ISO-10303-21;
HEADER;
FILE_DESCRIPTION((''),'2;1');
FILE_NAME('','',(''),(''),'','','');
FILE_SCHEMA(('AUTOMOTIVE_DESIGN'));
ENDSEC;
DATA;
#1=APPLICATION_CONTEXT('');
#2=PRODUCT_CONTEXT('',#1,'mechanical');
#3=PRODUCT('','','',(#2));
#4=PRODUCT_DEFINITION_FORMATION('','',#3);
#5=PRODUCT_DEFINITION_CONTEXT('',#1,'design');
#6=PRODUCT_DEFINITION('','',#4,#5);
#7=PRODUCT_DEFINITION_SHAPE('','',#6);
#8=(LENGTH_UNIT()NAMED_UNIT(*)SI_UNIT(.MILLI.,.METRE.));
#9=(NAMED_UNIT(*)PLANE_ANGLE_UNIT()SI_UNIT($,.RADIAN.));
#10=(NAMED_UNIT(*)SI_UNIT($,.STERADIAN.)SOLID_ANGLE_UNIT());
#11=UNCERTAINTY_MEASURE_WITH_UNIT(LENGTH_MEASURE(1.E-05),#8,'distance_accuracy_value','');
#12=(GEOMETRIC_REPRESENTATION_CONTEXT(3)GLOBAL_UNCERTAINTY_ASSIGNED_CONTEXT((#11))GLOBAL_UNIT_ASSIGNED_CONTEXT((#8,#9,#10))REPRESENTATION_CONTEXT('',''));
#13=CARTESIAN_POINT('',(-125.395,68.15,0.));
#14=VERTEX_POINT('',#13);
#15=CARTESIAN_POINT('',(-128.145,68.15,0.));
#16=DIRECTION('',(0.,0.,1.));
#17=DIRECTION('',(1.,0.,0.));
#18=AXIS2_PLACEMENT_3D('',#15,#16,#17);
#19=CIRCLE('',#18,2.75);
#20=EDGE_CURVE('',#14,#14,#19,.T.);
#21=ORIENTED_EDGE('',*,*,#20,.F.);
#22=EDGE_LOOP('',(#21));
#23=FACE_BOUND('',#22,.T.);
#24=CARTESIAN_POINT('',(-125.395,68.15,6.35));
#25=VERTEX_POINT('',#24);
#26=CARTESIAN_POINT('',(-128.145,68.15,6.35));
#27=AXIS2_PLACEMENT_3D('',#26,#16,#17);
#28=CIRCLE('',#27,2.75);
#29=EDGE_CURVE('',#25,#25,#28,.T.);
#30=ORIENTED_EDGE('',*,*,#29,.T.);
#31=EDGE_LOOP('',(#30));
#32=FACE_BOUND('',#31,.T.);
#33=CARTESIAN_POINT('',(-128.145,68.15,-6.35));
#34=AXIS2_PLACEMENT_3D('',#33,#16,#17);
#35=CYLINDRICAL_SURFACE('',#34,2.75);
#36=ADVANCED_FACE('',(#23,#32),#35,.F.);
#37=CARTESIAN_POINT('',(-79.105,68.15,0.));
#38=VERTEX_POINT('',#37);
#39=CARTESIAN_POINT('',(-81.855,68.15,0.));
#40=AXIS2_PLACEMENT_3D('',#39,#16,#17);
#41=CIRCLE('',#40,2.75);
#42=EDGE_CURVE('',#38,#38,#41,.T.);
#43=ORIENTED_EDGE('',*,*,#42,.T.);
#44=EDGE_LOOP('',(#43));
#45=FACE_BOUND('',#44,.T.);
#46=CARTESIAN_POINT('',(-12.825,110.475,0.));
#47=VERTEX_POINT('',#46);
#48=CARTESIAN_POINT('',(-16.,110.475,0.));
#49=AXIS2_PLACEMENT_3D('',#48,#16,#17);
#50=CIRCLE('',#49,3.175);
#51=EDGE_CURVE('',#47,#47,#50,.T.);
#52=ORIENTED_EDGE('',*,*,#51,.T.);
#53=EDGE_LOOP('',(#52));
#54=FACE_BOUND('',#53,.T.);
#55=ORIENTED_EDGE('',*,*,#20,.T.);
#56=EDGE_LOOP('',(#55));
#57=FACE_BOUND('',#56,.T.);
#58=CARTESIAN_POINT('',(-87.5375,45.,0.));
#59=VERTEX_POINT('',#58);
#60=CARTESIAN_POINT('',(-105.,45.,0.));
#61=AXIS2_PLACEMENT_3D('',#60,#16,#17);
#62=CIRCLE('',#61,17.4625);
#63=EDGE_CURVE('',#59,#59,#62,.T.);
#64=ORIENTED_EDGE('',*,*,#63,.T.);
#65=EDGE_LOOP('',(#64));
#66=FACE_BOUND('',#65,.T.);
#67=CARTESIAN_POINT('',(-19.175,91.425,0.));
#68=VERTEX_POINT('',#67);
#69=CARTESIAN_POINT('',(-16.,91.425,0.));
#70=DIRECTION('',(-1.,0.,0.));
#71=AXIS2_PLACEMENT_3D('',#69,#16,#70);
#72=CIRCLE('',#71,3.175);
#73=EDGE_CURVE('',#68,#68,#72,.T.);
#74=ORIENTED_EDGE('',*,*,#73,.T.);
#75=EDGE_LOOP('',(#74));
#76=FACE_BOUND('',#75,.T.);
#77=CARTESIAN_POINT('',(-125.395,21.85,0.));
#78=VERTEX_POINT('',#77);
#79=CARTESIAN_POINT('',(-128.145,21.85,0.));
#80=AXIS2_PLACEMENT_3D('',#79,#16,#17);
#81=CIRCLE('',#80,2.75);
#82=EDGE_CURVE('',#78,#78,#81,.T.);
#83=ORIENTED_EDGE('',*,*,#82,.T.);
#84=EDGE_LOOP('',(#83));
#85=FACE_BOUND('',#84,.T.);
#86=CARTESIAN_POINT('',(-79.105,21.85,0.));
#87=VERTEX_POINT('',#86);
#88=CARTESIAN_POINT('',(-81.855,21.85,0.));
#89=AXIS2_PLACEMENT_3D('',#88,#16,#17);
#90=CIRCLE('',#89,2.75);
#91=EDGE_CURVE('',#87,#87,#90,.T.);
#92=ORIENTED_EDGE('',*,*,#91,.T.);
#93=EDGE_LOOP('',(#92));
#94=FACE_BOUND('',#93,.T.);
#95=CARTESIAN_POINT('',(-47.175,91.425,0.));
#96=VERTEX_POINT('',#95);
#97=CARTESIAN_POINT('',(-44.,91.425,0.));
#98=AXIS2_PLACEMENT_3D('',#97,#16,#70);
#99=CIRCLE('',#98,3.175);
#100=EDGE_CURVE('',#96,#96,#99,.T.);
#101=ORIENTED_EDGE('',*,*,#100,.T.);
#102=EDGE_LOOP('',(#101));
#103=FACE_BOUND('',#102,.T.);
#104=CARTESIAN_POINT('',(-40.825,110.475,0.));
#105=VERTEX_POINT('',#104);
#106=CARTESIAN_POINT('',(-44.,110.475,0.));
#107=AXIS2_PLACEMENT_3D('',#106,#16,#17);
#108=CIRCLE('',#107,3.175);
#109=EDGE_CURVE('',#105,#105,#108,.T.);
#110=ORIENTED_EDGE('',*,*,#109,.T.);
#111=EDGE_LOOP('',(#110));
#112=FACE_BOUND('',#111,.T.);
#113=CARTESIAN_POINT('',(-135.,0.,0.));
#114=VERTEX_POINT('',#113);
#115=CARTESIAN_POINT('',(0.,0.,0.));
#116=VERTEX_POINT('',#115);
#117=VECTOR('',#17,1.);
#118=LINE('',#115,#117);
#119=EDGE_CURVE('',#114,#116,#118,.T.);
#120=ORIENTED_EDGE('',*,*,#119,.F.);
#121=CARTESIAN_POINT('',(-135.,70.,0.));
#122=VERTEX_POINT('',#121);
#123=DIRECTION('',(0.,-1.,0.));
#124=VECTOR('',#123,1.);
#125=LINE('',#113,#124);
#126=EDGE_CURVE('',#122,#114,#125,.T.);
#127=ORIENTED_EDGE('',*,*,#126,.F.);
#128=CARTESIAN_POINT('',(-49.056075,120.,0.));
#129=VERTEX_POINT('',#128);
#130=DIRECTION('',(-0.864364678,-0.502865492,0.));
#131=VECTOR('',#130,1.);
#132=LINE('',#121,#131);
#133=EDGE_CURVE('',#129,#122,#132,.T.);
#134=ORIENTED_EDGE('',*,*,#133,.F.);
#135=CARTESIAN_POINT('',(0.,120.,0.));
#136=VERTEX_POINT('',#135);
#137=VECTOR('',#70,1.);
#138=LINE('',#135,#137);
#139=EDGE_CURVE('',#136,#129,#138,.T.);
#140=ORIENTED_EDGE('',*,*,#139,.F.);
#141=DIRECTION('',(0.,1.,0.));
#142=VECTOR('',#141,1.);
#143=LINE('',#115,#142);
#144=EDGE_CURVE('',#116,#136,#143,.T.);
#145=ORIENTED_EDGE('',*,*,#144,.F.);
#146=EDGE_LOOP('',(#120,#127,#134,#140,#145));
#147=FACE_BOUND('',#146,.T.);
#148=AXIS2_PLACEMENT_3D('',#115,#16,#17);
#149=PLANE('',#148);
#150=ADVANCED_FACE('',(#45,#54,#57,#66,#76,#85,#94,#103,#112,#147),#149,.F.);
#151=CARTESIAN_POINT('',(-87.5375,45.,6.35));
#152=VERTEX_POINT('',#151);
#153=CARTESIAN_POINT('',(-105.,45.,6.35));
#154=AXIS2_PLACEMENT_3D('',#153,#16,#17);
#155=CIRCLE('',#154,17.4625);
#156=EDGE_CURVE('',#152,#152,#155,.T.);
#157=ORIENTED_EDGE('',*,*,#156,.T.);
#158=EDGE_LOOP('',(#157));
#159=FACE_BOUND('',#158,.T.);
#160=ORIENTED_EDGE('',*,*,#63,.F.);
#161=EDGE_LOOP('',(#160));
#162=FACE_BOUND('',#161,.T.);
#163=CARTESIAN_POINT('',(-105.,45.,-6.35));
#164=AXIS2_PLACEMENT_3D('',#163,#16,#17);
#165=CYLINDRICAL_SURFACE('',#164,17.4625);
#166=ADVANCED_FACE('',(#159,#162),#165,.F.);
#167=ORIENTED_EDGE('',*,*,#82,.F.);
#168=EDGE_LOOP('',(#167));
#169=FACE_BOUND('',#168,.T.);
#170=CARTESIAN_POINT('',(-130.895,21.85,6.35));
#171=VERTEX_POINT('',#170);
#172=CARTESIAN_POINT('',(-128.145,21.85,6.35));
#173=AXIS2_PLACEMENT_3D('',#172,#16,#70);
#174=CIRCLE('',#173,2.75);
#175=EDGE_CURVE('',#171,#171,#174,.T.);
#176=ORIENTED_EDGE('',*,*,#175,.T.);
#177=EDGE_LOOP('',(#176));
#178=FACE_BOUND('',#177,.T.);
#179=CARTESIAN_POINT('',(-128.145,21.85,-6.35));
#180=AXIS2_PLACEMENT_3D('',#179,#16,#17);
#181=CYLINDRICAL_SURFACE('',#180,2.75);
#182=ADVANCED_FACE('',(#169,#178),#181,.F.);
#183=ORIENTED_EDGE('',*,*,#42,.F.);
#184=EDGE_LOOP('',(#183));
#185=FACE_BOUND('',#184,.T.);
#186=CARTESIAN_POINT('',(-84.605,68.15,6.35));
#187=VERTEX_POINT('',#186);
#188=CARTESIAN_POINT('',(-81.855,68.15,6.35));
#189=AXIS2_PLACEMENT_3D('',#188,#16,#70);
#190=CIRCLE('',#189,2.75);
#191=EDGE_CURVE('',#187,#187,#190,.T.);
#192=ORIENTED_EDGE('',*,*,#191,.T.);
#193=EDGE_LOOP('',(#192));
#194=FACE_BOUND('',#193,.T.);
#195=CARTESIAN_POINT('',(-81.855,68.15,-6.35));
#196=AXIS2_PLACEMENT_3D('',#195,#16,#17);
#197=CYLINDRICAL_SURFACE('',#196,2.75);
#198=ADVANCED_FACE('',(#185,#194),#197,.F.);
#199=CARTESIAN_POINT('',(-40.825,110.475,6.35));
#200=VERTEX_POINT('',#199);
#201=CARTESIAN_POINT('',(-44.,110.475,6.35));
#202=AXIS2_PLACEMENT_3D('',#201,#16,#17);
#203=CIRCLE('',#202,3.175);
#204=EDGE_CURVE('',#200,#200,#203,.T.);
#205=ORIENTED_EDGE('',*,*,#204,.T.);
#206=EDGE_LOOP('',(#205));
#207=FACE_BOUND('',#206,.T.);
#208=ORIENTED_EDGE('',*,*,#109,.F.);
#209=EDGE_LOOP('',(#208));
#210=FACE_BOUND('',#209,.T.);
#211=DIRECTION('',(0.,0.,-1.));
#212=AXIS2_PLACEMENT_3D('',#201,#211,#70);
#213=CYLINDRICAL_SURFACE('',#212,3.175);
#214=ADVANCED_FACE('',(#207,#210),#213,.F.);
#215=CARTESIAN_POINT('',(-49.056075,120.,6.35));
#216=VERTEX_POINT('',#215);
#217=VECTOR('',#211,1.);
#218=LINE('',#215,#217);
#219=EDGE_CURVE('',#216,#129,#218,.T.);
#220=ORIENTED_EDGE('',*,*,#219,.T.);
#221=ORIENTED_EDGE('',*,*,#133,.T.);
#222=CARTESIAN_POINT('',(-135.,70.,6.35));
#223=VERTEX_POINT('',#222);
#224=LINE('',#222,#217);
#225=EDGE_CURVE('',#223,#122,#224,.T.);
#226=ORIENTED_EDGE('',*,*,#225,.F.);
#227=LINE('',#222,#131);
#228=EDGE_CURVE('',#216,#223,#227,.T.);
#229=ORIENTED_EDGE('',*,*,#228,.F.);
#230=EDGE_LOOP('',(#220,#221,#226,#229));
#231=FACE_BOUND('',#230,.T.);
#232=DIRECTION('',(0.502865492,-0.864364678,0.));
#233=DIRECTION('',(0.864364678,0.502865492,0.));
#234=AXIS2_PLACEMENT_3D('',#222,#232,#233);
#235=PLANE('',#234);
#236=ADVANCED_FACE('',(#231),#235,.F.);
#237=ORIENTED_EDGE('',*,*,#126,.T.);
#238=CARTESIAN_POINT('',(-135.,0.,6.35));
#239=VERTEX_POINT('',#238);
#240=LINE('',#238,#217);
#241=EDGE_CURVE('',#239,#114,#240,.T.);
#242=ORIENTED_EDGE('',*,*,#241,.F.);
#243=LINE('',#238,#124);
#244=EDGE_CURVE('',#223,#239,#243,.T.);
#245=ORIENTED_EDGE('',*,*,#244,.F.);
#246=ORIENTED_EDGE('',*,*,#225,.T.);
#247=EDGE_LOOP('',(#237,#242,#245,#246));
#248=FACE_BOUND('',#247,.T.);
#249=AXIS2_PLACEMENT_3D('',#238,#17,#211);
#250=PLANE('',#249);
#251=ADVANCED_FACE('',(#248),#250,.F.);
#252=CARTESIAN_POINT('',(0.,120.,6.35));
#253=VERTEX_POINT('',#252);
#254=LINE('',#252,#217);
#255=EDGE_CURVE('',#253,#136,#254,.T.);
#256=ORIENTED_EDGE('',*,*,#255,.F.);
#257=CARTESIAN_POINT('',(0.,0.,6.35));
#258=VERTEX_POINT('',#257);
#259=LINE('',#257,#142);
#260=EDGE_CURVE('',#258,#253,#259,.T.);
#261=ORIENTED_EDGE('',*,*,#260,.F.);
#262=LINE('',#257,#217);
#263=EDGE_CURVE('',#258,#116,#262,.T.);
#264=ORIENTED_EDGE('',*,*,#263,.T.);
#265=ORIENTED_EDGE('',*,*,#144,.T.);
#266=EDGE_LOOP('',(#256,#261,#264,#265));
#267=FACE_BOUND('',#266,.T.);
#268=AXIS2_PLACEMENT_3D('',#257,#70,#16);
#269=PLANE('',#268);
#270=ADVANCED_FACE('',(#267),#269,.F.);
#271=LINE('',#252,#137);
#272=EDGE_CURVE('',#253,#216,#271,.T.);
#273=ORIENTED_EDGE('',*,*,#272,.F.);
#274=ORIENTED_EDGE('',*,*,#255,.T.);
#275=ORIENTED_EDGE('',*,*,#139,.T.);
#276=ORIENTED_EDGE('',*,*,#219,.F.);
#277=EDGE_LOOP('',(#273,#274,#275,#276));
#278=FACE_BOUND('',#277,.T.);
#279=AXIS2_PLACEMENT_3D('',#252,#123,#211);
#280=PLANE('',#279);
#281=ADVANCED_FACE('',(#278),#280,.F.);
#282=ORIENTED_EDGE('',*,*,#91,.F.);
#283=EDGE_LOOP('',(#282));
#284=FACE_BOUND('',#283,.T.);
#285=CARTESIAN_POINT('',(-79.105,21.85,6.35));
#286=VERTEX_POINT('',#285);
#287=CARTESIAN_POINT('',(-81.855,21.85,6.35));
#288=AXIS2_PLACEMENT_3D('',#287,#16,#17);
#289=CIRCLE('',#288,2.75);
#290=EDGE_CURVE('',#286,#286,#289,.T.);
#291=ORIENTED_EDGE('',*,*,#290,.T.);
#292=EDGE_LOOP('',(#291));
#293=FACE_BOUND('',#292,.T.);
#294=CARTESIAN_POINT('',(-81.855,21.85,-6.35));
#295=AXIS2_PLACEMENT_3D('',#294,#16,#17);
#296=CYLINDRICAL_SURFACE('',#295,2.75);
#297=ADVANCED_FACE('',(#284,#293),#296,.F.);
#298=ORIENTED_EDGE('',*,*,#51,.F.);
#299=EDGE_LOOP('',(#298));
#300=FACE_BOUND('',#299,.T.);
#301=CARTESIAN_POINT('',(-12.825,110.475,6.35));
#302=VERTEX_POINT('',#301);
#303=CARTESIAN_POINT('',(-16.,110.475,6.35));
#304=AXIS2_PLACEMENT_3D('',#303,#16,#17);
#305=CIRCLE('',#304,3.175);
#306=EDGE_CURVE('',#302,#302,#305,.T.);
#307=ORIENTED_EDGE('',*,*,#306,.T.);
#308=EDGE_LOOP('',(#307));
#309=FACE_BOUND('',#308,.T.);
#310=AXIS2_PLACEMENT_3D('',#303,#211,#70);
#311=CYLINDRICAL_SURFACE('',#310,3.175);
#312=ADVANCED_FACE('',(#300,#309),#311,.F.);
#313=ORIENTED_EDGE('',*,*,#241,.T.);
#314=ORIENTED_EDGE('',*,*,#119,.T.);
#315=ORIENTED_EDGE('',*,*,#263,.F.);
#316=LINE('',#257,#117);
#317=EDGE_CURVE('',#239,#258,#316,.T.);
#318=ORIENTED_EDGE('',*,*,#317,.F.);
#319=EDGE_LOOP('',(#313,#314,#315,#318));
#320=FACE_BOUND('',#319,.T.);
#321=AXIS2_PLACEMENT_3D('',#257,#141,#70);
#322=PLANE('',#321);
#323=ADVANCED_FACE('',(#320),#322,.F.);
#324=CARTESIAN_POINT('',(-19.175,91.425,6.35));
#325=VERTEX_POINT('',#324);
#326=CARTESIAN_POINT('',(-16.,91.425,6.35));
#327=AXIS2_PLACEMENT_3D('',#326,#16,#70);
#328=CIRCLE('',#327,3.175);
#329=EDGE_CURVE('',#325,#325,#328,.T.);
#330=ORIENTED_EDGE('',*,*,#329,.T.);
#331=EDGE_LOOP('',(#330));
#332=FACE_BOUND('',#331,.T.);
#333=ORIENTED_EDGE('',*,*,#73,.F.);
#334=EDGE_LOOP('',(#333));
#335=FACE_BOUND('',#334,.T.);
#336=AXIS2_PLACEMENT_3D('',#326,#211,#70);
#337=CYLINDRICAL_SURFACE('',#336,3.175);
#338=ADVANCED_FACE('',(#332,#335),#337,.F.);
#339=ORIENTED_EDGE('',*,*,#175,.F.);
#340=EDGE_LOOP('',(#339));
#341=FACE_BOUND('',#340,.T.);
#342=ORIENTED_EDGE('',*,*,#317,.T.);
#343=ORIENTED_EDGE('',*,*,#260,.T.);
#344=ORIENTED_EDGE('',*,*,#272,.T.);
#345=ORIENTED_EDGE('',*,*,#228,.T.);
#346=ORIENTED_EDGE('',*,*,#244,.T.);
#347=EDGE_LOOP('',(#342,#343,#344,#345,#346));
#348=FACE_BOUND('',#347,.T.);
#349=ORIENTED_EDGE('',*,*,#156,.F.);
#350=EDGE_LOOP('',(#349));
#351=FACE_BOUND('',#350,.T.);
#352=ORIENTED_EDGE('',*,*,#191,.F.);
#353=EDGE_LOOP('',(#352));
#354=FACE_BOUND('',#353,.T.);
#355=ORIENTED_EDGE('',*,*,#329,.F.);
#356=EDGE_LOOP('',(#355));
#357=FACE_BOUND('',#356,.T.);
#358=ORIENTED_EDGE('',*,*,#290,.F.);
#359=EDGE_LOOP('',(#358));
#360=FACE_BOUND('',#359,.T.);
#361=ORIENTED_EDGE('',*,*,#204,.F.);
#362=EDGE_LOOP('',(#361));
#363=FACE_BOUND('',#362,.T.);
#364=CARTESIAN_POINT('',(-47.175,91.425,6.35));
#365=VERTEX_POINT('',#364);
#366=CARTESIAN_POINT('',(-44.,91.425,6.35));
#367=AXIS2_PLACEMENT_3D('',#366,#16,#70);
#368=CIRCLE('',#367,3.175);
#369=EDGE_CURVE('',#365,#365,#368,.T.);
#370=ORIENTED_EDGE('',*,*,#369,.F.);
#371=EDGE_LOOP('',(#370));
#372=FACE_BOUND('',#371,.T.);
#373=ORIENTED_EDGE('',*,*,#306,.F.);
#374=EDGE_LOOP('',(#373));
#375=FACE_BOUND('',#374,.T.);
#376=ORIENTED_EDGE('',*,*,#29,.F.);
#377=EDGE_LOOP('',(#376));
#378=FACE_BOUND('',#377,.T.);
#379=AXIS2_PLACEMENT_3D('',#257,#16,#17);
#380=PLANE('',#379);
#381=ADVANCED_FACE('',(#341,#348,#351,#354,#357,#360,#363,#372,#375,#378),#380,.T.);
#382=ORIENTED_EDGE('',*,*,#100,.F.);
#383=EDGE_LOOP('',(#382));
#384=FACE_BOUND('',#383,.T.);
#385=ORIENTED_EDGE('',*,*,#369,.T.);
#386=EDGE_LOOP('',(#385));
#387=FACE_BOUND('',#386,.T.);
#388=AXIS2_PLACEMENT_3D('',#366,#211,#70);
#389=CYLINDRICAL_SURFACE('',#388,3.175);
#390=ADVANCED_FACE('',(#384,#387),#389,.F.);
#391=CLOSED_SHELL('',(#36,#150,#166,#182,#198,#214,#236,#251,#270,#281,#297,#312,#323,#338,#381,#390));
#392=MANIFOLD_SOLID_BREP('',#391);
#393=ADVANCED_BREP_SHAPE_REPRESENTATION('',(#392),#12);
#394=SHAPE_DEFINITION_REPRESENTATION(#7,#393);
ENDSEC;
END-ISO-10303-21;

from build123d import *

# Parameters (mm, degrees)
CROQUIS1_R              = 3.175
SALIENTE_EXTRUIR1_DEPTH = 6.35
CROQUIS2_R              = 2.75
CROQUIS2_R_2            = 17.4625
CORTAR_EXTRUIR1_DEPTH   = 12.7


with BuildPart() as part:
    # Croquis1 → Saliente-Extruir1 (new body)
    with BuildSketch(Plane.XY):
        Polygon((0, 0), (-135, 0), (-135, 70), (-49.056075443, 120), (0, 120), align=None)
        with Locations((-44, 110.475)):
            Circle(CROQUIS1_R, mode=Mode.SUBTRACT)
        with Locations((-16, 110.475)):
            Circle(CROQUIS1_R, mode=Mode.SUBTRACT)
        with Locations((-16, 91.425)):
            Circle(CROQUIS1_R, mode=Mode.SUBTRACT)
        with Locations((-44, 91.425)):
            Circle(CROQUIS1_R, mode=Mode.SUBTRACT)
    extrude(amount=SALIENTE_EXTRUIR1_DEPTH)

    # Croquis2 → Cortar-Extruir1 (cut)
    with BuildSketch(Plane.XY.offset(6.35)):
        with Locations((-128.145, 68.15)):
            Circle(CROQUIS2_R)
        with Locations((-128.145, 21.85)):
            Circle(CROQUIS2_R)
        with Locations((-81.855, 21.85)):
            Circle(CROQUIS2_R)
        with Locations((-81.855, 68.15)):
            Circle(CROQUIS2_R)
        with Locations((-105, 45)):
            Circle(CROQUIS2_R_2)
    extrude(amount=-CORTAR_EXTRUIR1_DEPTH, mode=Mode.SUBTRACT)


solid = part.part
